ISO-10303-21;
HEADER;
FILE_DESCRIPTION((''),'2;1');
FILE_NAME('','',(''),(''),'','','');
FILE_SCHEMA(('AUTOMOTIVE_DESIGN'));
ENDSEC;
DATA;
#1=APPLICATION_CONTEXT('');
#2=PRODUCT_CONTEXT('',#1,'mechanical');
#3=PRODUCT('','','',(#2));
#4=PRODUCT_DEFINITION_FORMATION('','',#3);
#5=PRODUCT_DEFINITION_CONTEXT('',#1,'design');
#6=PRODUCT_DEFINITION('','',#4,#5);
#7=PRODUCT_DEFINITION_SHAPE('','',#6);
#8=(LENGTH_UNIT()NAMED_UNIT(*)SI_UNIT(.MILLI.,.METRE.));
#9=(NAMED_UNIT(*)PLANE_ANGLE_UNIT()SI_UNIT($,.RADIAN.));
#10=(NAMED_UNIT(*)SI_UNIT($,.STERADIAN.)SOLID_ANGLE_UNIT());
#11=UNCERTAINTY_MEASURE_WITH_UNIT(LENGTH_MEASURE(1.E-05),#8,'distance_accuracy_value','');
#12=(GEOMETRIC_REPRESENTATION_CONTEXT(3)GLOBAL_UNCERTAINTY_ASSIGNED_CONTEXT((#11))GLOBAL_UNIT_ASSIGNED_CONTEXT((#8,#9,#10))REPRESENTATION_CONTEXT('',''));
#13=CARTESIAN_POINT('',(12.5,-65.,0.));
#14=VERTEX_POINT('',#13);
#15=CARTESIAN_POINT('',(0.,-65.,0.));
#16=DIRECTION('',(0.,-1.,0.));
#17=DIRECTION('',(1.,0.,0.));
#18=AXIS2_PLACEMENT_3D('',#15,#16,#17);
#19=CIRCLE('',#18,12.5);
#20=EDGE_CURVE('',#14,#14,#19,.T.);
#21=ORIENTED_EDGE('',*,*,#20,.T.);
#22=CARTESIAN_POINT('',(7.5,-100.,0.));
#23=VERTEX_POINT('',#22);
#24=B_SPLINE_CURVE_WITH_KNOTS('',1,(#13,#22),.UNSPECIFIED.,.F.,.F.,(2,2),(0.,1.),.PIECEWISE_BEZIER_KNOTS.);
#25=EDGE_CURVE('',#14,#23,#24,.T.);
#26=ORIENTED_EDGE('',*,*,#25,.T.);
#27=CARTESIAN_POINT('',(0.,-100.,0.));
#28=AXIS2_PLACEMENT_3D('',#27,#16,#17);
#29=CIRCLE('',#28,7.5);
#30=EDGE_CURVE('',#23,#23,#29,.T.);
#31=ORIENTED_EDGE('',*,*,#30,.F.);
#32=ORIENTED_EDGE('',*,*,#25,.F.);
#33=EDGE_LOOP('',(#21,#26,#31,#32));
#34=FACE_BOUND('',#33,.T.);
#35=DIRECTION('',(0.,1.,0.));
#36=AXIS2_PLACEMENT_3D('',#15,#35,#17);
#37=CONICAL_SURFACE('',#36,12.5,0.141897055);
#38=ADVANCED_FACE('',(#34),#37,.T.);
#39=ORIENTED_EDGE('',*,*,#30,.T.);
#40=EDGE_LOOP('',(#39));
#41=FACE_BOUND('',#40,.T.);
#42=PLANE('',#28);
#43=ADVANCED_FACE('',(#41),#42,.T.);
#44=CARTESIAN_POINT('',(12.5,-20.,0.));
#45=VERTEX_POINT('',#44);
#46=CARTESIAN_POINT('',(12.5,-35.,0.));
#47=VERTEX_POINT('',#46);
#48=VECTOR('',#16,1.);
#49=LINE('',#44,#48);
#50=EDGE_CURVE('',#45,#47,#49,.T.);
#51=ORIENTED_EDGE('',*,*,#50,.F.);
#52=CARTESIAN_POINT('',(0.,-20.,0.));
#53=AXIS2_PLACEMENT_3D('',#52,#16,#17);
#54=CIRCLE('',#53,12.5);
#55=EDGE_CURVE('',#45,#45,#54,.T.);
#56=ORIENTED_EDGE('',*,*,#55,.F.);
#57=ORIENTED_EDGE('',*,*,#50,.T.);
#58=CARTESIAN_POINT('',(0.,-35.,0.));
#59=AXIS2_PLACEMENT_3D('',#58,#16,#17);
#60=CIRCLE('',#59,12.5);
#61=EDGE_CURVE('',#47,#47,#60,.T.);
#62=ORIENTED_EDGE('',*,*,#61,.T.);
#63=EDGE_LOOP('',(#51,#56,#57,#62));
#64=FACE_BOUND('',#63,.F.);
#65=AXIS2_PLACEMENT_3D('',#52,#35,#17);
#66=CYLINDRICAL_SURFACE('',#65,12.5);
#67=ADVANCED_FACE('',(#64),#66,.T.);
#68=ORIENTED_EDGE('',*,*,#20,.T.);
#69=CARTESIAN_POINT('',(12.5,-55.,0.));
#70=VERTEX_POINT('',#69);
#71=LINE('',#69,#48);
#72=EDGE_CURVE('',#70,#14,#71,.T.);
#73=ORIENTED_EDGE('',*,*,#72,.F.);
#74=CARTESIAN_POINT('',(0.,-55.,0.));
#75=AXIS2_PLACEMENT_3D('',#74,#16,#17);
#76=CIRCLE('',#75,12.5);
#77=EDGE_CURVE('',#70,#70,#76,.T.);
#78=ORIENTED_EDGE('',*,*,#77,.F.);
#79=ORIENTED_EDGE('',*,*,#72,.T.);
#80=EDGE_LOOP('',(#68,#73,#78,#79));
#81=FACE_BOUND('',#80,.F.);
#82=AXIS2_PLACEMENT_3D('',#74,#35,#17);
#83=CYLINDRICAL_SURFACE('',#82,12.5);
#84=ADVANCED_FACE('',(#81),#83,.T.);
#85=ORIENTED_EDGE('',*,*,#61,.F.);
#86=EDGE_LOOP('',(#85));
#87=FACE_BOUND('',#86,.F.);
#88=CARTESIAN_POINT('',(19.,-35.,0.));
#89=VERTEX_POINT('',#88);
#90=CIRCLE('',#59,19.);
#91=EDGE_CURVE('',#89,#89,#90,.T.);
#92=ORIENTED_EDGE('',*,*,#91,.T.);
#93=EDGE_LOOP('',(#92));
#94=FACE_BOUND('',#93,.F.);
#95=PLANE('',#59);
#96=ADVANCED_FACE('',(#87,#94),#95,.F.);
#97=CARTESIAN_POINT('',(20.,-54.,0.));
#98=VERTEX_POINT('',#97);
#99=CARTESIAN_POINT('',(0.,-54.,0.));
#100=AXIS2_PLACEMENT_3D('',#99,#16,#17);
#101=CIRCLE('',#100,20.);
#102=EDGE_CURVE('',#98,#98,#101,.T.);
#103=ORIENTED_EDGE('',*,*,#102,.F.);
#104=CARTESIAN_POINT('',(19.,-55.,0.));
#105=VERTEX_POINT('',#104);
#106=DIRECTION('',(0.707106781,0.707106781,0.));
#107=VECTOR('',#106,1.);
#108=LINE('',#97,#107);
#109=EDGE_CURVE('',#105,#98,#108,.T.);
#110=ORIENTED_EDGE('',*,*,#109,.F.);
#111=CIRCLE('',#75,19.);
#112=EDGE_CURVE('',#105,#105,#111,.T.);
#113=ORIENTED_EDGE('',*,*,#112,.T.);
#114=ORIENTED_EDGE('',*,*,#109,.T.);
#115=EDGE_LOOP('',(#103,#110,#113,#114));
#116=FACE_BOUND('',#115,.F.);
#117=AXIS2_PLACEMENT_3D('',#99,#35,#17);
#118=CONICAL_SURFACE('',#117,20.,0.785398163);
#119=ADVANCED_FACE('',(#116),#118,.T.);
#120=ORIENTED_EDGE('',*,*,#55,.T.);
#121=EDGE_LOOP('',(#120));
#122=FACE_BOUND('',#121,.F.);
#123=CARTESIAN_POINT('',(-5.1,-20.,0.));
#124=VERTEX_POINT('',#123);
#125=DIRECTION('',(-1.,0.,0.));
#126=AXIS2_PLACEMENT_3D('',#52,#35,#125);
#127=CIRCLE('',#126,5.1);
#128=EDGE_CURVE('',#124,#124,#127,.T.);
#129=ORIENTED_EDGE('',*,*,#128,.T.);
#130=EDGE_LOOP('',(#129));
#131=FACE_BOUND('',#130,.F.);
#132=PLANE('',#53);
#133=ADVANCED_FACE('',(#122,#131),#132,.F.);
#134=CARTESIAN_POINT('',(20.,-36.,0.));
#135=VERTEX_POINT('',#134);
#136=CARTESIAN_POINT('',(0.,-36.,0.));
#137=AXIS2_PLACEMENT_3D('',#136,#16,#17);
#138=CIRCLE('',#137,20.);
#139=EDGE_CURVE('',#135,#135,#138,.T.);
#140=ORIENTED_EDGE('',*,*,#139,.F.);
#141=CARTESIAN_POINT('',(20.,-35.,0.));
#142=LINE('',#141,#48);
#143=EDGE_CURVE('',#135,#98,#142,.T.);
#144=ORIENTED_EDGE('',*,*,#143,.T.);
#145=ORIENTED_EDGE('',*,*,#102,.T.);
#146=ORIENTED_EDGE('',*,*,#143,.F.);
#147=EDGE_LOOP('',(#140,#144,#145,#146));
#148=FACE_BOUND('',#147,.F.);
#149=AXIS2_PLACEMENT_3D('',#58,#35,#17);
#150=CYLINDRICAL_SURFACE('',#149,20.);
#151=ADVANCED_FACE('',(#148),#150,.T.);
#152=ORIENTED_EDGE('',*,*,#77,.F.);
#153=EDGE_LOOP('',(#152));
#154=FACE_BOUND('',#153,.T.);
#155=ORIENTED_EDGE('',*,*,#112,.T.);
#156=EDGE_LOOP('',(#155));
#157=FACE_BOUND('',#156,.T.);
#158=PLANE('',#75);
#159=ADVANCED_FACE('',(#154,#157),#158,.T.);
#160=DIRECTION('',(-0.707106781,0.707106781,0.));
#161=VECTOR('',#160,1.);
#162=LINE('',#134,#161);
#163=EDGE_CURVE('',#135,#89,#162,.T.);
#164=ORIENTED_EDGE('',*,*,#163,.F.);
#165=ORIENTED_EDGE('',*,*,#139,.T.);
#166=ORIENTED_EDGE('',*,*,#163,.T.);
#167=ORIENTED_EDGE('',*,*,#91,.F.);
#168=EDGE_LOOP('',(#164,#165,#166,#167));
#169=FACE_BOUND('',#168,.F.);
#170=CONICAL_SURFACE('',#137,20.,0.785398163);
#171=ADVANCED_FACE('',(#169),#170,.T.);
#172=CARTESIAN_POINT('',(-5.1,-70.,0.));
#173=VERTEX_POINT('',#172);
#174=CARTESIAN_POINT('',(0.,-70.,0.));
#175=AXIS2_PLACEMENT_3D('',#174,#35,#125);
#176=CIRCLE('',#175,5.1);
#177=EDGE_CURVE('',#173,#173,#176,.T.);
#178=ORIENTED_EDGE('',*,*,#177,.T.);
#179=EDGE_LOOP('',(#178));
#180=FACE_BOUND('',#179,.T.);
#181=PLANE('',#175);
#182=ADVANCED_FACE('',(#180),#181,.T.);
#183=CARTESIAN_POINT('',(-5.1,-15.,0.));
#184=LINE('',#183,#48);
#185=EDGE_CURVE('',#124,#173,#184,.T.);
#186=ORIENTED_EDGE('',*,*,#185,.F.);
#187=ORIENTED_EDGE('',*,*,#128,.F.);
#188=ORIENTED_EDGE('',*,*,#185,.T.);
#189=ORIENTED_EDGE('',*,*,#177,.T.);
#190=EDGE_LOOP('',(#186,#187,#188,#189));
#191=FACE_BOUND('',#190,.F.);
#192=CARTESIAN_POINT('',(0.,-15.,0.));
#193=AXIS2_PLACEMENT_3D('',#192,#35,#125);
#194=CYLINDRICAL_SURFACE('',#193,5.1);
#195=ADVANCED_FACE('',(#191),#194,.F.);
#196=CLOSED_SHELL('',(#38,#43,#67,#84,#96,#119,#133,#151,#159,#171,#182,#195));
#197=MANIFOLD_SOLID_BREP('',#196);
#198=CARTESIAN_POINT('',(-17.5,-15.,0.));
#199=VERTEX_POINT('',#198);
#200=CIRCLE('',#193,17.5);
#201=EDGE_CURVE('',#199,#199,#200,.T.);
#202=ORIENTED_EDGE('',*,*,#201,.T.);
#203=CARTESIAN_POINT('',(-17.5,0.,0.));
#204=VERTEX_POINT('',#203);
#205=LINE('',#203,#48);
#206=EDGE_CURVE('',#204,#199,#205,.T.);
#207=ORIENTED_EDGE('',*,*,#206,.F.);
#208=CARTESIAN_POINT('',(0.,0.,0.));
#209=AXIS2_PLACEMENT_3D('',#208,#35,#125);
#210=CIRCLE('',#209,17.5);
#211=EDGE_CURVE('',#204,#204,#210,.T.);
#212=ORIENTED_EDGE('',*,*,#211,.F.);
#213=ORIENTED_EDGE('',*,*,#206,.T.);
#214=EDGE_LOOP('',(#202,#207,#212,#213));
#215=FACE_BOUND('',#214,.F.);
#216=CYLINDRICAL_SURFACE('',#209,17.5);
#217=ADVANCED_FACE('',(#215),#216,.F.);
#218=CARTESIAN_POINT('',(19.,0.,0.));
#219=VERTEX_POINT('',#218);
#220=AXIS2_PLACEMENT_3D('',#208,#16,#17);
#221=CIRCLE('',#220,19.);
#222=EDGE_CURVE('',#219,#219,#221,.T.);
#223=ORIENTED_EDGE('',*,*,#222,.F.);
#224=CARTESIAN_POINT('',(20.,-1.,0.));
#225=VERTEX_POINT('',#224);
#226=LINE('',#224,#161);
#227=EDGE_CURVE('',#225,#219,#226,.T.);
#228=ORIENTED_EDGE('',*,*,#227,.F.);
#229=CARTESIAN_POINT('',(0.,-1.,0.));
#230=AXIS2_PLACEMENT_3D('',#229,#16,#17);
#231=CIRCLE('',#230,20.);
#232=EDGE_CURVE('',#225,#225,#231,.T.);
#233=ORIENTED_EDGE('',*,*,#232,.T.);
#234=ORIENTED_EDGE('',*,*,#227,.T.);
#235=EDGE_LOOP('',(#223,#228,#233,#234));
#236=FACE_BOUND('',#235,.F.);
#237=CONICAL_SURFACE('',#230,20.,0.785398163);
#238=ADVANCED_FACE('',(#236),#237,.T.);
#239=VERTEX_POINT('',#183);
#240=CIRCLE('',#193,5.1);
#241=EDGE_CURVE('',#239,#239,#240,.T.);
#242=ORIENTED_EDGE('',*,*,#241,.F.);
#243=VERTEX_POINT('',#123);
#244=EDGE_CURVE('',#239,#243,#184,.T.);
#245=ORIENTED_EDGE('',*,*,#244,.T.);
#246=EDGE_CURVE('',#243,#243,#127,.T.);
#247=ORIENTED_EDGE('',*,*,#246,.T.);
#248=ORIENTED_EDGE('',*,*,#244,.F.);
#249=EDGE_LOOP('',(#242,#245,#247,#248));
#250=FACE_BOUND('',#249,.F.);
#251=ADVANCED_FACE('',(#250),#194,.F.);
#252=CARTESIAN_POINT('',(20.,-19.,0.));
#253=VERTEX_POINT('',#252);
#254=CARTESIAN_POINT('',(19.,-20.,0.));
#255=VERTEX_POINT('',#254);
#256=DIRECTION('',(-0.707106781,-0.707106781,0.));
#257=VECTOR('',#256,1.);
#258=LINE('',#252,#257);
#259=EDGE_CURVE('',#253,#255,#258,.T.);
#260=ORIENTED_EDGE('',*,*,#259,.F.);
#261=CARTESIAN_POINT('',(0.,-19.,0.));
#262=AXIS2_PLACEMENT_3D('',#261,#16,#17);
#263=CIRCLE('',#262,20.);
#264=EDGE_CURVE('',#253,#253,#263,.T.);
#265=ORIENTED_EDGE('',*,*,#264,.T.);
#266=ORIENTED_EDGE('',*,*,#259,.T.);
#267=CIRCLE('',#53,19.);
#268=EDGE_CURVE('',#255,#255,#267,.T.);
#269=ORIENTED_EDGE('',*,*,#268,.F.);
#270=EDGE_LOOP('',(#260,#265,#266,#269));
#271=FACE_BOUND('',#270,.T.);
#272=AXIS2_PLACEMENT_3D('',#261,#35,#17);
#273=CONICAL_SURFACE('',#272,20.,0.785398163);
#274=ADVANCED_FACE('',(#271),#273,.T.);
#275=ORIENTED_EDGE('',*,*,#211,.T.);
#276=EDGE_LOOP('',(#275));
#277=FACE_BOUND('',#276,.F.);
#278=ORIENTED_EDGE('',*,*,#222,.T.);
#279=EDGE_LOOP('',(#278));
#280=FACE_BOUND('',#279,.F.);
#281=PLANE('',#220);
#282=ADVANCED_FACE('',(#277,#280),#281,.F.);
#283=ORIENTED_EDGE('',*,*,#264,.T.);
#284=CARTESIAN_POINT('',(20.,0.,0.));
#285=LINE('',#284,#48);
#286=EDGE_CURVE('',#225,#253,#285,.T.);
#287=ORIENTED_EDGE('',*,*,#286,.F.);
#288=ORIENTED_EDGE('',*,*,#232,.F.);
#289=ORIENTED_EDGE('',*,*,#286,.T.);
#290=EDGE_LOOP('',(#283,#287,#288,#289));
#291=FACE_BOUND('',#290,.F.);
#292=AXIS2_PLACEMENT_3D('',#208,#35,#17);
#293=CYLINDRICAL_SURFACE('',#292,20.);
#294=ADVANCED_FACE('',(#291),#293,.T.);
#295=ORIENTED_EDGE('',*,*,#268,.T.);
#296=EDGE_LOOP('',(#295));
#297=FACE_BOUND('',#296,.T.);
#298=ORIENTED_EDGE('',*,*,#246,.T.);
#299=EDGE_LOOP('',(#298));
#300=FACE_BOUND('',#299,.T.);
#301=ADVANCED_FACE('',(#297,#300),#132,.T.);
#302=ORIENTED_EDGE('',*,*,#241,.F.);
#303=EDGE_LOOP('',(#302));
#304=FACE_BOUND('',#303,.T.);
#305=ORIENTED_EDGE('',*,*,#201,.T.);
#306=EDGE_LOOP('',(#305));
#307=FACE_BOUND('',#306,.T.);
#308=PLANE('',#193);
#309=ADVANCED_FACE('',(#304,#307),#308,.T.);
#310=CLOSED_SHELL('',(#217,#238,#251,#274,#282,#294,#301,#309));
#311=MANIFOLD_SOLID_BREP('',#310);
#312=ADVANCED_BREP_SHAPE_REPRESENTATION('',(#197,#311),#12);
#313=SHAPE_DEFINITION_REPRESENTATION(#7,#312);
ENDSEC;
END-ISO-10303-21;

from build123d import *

# Parameters (mm, degrees)
F0_R       = 20
F1_DEPTH   = 20
F2_R       = 12.5
F3_DEPTH   = 15
F4_R       = 20
F4_R_2     = 12.5
F5_DEPTH   = 20
F6_R       = 12.5
F7_DEPTH   = 10
F8_R       = 12.5
F10_R      = 7.5
F12_SIZE   = 1
F12_2_SIZE = 1
F13_R      = 17.5
F14_DEPTH  = 15
F15_R      = 5.1
F16_DEPTH  = 55


with BuildPart() as f1:
    # F0 (on Front) → F1 (new body)
    with BuildSketch(Plane.XZ):
        Circle(F0_R)
    extrude(amount=F1_DEPTH)

    # F12
    f12_edges = [f1.edges().sort_by_distance(p)[0] for p in [
        (-20, 0, 0),
        (-20, -20, 0),
    ]]
    chamfer(f12_edges, length=F12_SIZE)

    # F13 (on face) → F14 (cut)
    with BuildSketch(Plane(origin=(0, 0, 0), x_dir=(-1, 0, 0), z_dir=(0, 1, 0))):
        Circle(F13_R)
    extrude(amount=-F14_DEPTH, mode=Mode.SUBTRACT)


with BuildPart() as f3:
    # F2 (on face) → F3 (new body)
    with BuildSketch(Plane.XZ.offset(20)):
        Circle(F2_R)
    extrude(amount=F3_DEPTH)

    # F4 (on face) → F5 (join)
    with BuildSketch(Plane.XZ.offset(35)):
        Circle(F4_R)
        Circle(F4_R_2, mode=Mode.SUBTRACT)
        Circle(F4_R_2)
    extrude(amount=F5_DEPTH)

    # F6 (on face) → F7 (join)
    with BuildSketch(Plane.XZ.offset(55)):
        Circle(F6_R)
    extrude(amount=F7_DEPTH)

    # F8 (on face) → F11 section 0
    with BuildSketch(Plane.XZ.offset(65)):
        Circle(F8_R)
    # F10 (on offset) → F11 section 1
    with BuildSketch(Plane.XZ.offset(100)):
        Circle(F10_R)
    loft()

    # F12#2
    f12_2_edges = [f3.edges().sort_by_distance(p)[0] for p in [
        (-20, -35, 0),
        (-20, -55, 0),
    ]]
    chamfer(f12_2_edges, length=F12_2_SIZE)


with BuildPart() as f16_tool:
    # F15 (on face) → F16 (new body)
    with BuildSketch(Plane(origin=(0, -15, 0), x_dir=(-1, 0, 0), z_dir=(0, 1, 0))):
        Circle(F15_R)
    extrude(amount=-F16_DEPTH)


with BuildPart() as f1_1:
    add(f1.part)

    # F16: cut by f16_tool
    add(f16_tool.part, mode=Mode.SUBTRACT)


with BuildPart() as f3_1:
    add(f3.part)

    # F16: cut by f16_tool
    add(f16_tool.part, mode=Mode.SUBTRACT)


solid = Compound([f1_1.part, f3_1.part])
